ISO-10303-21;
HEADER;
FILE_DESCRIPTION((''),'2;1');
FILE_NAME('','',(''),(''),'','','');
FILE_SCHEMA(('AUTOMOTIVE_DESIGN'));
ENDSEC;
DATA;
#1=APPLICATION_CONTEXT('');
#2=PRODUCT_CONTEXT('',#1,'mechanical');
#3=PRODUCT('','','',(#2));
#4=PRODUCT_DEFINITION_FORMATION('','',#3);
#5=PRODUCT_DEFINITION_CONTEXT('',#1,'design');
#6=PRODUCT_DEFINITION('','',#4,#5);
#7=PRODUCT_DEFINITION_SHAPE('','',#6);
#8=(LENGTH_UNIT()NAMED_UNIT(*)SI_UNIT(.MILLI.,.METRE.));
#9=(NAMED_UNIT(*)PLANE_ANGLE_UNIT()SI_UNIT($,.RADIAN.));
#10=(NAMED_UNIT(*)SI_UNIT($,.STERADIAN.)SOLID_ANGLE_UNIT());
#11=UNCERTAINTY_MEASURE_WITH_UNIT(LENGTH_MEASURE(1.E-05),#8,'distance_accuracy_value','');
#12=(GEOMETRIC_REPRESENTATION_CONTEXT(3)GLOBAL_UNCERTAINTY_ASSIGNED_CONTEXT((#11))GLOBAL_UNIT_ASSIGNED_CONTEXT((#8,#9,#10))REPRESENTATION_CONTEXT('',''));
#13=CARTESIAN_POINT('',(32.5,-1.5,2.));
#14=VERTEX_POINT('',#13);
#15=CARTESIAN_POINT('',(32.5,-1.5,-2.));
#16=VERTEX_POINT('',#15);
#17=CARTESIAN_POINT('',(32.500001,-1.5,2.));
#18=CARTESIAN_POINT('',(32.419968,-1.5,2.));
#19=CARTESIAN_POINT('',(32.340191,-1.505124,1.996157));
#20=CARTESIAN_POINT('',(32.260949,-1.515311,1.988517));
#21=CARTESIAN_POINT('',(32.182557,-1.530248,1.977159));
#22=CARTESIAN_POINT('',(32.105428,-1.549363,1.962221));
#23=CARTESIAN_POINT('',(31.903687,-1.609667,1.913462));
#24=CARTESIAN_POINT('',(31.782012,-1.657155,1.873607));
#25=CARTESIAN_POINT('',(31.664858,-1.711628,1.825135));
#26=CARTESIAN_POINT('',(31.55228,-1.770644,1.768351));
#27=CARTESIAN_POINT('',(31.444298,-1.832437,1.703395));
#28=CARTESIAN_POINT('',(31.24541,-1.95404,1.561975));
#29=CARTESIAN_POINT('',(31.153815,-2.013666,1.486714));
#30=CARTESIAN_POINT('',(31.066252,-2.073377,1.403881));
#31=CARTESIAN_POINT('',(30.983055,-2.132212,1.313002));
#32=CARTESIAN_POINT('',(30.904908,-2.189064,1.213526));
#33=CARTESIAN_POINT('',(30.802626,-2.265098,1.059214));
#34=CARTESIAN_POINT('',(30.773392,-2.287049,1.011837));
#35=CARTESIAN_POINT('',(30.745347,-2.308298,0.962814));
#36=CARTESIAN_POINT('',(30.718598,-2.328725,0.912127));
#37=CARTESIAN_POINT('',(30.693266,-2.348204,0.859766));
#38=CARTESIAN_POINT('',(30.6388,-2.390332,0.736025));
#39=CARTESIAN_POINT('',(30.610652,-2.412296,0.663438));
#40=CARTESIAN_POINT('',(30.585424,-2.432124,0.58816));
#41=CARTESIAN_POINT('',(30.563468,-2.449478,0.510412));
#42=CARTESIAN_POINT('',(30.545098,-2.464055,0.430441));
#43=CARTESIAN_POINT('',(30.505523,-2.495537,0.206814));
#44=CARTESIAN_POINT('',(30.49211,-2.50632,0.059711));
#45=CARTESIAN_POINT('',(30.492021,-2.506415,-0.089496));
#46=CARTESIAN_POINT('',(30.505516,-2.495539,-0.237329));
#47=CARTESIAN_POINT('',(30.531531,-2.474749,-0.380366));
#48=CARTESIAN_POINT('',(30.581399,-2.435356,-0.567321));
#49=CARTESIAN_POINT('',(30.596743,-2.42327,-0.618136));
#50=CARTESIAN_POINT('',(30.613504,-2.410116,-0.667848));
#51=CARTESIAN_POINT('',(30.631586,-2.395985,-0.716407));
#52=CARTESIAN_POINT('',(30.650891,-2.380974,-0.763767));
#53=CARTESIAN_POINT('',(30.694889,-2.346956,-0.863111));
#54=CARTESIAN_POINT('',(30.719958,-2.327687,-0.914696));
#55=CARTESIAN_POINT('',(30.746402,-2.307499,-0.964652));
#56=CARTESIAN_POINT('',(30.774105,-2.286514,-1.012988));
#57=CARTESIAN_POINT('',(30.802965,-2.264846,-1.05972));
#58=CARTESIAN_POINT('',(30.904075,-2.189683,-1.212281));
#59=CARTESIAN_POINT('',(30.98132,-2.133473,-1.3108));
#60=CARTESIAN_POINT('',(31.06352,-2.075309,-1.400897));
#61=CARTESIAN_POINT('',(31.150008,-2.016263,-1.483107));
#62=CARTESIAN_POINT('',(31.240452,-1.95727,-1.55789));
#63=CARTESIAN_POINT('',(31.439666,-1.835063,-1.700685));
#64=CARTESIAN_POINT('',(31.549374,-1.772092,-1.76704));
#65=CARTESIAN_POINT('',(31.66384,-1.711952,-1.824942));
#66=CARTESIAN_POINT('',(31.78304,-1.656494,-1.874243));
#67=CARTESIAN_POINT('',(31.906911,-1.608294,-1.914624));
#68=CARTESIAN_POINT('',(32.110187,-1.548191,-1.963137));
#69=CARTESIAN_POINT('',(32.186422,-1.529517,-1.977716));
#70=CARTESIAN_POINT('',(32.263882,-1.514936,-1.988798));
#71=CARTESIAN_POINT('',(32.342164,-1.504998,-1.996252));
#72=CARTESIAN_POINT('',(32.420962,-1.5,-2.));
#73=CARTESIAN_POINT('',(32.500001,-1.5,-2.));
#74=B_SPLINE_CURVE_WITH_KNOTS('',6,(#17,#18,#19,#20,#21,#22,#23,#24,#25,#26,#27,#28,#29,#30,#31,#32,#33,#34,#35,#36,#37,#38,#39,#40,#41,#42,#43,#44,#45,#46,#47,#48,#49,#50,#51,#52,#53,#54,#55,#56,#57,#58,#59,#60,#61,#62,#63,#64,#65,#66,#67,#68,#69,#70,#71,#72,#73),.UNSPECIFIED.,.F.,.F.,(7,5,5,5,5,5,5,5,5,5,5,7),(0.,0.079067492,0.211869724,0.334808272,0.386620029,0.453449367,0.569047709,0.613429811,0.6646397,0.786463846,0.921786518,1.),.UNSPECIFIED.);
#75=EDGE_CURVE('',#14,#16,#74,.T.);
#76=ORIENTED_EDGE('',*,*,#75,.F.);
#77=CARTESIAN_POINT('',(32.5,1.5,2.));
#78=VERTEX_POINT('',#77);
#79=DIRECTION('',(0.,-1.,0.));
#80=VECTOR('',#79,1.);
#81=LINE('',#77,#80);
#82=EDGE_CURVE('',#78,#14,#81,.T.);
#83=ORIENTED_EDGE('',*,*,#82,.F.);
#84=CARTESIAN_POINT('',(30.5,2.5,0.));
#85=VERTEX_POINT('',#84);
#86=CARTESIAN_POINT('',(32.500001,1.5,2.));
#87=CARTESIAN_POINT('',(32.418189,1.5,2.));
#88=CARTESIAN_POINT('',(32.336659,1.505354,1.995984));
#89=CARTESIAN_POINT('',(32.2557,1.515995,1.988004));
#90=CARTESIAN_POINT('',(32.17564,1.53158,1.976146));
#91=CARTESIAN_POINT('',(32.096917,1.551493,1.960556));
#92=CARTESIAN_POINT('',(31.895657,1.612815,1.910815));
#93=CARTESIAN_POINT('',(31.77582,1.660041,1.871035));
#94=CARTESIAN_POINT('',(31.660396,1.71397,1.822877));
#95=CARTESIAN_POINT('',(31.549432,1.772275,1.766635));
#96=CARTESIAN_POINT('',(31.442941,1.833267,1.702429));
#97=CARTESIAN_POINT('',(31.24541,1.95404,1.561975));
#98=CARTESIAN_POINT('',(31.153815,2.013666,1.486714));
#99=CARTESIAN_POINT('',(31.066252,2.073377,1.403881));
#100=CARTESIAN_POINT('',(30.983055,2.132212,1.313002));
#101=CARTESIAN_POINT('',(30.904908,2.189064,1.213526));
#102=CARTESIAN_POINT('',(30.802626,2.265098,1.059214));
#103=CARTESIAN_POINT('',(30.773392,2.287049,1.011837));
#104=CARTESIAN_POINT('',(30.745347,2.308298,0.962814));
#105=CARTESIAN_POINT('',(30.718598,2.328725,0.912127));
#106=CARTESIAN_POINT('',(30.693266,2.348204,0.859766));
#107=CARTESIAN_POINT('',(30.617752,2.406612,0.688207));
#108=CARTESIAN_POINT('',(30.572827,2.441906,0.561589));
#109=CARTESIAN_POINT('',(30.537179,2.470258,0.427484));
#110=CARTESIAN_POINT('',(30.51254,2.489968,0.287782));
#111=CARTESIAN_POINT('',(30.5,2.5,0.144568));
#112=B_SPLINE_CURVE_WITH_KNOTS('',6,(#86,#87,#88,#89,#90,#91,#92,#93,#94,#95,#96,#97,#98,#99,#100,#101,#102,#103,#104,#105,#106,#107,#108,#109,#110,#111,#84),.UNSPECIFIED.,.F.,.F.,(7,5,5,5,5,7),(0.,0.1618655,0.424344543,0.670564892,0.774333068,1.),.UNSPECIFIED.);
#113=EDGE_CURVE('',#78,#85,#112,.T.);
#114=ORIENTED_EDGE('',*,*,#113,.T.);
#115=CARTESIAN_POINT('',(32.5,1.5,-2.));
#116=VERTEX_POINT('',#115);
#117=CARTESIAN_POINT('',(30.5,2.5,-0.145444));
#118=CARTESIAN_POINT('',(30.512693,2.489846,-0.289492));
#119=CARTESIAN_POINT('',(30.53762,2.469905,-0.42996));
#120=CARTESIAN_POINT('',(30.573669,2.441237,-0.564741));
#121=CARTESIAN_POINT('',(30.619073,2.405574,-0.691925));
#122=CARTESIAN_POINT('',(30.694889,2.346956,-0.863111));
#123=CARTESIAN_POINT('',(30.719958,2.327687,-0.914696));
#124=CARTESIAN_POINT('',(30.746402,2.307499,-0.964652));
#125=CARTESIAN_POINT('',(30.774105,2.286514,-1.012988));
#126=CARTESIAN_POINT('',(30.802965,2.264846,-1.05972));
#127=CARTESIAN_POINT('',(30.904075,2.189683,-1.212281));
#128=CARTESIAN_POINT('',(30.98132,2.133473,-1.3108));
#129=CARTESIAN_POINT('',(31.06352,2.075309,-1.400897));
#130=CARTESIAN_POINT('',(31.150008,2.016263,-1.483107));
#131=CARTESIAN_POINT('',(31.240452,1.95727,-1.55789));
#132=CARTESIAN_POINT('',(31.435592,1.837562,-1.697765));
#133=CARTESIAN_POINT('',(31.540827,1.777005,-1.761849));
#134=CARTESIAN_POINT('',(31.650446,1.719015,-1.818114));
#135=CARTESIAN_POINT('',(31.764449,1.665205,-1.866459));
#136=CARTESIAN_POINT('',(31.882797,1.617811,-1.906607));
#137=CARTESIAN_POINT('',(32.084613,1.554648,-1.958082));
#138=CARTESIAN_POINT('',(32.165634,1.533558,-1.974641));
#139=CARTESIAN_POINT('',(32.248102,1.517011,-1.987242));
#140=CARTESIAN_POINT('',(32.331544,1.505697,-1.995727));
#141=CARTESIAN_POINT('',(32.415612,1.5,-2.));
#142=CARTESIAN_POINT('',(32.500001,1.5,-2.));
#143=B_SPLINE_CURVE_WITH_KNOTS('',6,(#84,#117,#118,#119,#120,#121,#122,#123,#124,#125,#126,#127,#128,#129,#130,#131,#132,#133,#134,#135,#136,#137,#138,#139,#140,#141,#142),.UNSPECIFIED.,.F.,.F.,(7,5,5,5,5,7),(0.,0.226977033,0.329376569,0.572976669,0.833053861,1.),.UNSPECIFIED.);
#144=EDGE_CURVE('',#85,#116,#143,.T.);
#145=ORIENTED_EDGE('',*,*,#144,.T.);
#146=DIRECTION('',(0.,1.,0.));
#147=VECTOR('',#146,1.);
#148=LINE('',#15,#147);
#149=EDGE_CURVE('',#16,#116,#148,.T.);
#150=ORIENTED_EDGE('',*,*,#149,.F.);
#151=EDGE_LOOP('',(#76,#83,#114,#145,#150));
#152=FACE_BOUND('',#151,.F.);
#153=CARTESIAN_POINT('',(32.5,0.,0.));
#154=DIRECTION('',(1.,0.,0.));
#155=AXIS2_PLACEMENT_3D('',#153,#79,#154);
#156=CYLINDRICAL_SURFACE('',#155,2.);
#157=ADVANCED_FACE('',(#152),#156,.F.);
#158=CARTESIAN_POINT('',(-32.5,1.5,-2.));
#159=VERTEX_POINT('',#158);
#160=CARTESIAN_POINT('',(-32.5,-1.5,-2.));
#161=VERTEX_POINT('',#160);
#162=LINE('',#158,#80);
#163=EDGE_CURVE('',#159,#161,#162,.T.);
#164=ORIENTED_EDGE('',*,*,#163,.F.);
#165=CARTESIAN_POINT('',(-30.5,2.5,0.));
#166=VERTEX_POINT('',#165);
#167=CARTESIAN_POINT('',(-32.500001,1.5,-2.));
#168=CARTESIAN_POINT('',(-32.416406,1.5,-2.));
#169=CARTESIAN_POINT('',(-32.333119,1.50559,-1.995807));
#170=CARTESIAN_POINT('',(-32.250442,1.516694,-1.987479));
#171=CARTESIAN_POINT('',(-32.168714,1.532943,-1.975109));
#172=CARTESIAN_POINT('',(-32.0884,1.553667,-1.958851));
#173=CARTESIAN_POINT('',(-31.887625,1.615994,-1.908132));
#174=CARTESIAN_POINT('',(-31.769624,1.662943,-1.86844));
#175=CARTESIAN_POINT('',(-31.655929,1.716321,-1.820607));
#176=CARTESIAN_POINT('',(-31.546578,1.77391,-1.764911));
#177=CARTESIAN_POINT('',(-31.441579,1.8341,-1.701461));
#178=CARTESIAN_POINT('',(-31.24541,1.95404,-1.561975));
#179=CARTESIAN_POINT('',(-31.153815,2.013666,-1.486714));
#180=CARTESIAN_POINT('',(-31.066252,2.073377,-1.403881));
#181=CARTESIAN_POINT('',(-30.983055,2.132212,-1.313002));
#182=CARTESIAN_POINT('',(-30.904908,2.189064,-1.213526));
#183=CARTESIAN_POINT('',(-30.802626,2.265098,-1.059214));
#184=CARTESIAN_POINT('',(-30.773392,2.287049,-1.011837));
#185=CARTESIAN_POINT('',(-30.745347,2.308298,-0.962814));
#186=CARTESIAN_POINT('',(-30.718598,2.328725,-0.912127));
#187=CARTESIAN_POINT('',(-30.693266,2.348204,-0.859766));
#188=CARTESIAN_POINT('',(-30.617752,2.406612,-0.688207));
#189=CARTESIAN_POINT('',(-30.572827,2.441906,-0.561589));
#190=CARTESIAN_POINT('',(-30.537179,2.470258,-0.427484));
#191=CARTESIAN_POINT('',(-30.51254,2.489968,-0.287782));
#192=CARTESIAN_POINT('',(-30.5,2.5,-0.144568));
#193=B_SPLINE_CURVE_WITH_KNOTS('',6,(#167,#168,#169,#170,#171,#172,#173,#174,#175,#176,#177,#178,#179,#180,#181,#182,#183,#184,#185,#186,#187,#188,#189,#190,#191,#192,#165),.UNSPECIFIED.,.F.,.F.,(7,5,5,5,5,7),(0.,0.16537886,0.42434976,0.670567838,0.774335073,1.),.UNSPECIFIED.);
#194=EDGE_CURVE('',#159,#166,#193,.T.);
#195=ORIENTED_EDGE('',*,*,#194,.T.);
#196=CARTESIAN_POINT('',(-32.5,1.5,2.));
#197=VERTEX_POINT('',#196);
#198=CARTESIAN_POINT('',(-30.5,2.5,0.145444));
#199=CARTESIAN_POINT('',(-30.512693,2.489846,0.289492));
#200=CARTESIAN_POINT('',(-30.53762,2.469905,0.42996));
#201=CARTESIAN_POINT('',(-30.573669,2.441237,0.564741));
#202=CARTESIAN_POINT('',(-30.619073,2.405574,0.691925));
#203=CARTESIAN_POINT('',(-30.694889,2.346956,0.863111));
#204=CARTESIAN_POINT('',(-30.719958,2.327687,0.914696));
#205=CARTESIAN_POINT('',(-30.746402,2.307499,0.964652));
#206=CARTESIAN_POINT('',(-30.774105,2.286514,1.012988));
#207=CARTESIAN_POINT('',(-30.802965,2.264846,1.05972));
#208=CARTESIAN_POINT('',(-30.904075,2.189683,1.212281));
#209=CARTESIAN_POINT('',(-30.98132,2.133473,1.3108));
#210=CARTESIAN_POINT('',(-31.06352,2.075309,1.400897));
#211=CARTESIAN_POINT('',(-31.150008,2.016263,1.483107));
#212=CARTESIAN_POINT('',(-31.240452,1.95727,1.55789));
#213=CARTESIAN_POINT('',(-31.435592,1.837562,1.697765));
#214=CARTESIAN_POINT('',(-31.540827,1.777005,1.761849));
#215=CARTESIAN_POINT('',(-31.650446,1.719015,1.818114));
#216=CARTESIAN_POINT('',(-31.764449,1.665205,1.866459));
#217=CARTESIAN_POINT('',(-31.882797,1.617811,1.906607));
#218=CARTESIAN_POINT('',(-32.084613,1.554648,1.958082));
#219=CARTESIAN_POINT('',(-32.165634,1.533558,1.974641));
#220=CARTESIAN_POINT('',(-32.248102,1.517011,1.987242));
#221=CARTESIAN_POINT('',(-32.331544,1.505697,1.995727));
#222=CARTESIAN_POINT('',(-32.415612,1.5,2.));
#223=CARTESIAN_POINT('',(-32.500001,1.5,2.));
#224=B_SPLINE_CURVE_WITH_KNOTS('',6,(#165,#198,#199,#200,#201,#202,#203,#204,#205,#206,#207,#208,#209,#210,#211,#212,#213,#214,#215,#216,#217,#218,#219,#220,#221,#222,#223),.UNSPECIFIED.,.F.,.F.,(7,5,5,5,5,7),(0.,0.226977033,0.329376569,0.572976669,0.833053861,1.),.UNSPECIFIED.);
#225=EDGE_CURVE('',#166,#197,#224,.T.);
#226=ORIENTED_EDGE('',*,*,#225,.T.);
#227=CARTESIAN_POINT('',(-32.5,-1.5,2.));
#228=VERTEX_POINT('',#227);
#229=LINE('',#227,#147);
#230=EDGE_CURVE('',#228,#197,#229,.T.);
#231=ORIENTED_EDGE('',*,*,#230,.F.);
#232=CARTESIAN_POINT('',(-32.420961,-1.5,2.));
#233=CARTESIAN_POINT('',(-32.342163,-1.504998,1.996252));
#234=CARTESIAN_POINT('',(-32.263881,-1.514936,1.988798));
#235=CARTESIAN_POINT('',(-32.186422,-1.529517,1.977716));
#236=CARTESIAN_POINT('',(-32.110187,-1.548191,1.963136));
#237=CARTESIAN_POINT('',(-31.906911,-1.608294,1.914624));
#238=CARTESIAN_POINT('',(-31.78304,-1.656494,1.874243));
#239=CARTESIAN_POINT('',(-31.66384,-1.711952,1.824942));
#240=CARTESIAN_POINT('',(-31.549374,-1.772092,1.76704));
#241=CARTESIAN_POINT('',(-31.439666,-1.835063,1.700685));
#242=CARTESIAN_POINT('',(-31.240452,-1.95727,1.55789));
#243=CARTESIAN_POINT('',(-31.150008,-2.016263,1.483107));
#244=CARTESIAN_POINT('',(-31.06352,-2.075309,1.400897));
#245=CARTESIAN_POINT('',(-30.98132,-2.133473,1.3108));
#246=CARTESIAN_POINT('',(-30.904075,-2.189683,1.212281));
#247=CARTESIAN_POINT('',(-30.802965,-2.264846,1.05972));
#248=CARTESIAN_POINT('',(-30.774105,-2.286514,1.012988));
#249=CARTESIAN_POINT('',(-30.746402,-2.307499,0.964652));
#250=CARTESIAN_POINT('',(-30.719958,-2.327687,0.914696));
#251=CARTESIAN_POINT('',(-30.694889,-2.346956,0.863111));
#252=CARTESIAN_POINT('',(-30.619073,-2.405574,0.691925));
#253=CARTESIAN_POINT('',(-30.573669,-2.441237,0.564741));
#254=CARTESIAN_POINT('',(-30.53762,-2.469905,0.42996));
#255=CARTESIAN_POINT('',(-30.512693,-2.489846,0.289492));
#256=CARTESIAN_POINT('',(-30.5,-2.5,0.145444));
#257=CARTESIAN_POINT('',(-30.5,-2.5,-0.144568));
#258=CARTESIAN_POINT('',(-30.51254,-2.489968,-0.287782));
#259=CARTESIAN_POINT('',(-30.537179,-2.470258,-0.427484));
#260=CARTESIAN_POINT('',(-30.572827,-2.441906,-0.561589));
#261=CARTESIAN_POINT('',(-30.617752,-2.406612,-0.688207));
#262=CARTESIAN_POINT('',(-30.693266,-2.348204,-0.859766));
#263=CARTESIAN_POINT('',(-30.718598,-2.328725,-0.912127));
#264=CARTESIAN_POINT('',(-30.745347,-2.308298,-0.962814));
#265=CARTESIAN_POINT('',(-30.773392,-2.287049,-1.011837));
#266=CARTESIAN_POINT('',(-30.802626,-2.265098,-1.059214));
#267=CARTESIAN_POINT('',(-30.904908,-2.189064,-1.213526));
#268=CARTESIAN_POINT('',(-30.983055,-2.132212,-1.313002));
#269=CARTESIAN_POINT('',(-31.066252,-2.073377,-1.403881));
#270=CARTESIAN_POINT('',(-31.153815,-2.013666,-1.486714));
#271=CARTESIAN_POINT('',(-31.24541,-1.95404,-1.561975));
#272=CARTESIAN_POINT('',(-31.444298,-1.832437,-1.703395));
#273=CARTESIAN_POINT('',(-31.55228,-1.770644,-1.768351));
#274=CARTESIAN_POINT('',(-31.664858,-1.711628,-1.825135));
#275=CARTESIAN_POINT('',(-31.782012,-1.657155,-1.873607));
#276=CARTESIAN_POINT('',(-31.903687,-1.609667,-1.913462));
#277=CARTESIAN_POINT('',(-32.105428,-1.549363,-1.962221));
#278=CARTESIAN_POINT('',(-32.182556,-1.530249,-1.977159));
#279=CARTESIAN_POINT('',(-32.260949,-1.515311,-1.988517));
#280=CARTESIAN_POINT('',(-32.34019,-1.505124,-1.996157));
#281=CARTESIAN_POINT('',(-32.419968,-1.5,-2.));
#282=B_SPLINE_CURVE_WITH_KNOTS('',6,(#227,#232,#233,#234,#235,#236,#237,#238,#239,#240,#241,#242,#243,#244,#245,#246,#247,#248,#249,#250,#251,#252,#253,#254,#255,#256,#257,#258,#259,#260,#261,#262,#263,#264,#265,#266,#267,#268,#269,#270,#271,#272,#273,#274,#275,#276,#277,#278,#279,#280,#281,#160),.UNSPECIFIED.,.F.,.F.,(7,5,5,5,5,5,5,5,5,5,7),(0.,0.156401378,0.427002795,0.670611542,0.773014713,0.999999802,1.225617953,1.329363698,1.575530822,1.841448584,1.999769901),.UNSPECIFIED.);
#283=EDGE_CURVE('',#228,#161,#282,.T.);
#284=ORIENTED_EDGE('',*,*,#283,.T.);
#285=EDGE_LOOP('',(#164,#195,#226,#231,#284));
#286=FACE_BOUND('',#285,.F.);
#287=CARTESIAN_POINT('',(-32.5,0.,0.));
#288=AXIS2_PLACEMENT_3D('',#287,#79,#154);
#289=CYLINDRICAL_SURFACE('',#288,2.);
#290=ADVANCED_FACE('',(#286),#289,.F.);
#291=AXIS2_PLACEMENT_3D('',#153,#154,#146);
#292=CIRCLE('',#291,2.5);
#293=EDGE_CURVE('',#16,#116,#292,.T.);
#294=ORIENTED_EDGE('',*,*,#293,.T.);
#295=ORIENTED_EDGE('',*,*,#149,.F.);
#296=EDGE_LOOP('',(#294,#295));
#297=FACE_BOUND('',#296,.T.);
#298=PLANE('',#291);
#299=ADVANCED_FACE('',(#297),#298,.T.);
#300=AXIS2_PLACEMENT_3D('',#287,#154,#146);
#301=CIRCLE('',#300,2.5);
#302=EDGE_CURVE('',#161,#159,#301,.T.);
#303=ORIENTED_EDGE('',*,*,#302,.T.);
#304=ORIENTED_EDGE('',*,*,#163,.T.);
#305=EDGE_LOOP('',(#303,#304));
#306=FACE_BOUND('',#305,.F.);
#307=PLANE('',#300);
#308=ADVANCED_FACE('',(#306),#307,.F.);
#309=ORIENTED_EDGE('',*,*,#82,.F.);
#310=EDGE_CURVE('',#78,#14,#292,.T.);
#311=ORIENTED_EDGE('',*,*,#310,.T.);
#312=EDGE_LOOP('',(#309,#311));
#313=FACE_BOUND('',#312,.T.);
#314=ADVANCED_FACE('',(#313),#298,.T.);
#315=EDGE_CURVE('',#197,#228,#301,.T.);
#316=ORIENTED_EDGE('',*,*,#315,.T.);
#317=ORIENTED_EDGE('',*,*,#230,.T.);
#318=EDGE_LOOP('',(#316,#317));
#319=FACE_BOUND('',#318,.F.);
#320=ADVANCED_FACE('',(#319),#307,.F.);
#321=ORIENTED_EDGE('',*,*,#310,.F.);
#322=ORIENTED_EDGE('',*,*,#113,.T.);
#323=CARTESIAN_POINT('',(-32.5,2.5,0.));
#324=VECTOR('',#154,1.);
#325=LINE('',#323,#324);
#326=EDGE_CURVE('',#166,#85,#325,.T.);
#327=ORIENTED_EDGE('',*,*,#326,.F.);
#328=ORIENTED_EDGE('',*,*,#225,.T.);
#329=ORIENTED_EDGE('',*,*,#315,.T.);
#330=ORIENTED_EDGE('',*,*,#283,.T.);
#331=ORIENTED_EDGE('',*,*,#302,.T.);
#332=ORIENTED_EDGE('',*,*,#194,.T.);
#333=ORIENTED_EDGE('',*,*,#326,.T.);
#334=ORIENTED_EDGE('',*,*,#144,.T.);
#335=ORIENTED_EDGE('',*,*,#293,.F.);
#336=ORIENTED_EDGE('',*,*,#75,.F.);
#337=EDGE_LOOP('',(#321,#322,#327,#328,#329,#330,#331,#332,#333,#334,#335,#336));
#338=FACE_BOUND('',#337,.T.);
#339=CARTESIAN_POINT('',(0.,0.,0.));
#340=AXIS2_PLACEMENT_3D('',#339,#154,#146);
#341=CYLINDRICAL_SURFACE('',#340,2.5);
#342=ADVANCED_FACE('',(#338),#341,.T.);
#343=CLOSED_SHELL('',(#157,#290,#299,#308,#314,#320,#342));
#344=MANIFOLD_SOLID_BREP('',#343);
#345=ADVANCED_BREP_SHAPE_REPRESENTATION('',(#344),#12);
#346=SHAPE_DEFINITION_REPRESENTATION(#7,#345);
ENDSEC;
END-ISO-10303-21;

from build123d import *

# Parameters (mm, degrees)
F1_R          = 2.5
F2_DEPTH      = 32.5
F3_R          = 2
F4_DEPTH      = 2.501
F4_DEPTH_BACK = 2.501


with BuildPart() as f2:
    # F1 (on Right) → F2 (new body, symmetric)
    with BuildSketch(Plane.YZ):
        Circle(F1_R)
    extrude(amount=F2_DEPTH, both=True)

    # F3 (on Front) → F4 (cut, two sides)
    with BuildSketch(Plane.XZ) as f4_sk:
        with Locations((-32.5, 0)):
            Circle(F3_R)
        with Locations((32.5, 0)):
            Circle(F3_R)
    extrude(amount=-F4_DEPTH, mode=Mode.SUBTRACT)
    extrude(f4_sk.sketch, amount=F4_DEPTH_BACK, mode=Mode.SUBTRACT)


solid = f2.part
